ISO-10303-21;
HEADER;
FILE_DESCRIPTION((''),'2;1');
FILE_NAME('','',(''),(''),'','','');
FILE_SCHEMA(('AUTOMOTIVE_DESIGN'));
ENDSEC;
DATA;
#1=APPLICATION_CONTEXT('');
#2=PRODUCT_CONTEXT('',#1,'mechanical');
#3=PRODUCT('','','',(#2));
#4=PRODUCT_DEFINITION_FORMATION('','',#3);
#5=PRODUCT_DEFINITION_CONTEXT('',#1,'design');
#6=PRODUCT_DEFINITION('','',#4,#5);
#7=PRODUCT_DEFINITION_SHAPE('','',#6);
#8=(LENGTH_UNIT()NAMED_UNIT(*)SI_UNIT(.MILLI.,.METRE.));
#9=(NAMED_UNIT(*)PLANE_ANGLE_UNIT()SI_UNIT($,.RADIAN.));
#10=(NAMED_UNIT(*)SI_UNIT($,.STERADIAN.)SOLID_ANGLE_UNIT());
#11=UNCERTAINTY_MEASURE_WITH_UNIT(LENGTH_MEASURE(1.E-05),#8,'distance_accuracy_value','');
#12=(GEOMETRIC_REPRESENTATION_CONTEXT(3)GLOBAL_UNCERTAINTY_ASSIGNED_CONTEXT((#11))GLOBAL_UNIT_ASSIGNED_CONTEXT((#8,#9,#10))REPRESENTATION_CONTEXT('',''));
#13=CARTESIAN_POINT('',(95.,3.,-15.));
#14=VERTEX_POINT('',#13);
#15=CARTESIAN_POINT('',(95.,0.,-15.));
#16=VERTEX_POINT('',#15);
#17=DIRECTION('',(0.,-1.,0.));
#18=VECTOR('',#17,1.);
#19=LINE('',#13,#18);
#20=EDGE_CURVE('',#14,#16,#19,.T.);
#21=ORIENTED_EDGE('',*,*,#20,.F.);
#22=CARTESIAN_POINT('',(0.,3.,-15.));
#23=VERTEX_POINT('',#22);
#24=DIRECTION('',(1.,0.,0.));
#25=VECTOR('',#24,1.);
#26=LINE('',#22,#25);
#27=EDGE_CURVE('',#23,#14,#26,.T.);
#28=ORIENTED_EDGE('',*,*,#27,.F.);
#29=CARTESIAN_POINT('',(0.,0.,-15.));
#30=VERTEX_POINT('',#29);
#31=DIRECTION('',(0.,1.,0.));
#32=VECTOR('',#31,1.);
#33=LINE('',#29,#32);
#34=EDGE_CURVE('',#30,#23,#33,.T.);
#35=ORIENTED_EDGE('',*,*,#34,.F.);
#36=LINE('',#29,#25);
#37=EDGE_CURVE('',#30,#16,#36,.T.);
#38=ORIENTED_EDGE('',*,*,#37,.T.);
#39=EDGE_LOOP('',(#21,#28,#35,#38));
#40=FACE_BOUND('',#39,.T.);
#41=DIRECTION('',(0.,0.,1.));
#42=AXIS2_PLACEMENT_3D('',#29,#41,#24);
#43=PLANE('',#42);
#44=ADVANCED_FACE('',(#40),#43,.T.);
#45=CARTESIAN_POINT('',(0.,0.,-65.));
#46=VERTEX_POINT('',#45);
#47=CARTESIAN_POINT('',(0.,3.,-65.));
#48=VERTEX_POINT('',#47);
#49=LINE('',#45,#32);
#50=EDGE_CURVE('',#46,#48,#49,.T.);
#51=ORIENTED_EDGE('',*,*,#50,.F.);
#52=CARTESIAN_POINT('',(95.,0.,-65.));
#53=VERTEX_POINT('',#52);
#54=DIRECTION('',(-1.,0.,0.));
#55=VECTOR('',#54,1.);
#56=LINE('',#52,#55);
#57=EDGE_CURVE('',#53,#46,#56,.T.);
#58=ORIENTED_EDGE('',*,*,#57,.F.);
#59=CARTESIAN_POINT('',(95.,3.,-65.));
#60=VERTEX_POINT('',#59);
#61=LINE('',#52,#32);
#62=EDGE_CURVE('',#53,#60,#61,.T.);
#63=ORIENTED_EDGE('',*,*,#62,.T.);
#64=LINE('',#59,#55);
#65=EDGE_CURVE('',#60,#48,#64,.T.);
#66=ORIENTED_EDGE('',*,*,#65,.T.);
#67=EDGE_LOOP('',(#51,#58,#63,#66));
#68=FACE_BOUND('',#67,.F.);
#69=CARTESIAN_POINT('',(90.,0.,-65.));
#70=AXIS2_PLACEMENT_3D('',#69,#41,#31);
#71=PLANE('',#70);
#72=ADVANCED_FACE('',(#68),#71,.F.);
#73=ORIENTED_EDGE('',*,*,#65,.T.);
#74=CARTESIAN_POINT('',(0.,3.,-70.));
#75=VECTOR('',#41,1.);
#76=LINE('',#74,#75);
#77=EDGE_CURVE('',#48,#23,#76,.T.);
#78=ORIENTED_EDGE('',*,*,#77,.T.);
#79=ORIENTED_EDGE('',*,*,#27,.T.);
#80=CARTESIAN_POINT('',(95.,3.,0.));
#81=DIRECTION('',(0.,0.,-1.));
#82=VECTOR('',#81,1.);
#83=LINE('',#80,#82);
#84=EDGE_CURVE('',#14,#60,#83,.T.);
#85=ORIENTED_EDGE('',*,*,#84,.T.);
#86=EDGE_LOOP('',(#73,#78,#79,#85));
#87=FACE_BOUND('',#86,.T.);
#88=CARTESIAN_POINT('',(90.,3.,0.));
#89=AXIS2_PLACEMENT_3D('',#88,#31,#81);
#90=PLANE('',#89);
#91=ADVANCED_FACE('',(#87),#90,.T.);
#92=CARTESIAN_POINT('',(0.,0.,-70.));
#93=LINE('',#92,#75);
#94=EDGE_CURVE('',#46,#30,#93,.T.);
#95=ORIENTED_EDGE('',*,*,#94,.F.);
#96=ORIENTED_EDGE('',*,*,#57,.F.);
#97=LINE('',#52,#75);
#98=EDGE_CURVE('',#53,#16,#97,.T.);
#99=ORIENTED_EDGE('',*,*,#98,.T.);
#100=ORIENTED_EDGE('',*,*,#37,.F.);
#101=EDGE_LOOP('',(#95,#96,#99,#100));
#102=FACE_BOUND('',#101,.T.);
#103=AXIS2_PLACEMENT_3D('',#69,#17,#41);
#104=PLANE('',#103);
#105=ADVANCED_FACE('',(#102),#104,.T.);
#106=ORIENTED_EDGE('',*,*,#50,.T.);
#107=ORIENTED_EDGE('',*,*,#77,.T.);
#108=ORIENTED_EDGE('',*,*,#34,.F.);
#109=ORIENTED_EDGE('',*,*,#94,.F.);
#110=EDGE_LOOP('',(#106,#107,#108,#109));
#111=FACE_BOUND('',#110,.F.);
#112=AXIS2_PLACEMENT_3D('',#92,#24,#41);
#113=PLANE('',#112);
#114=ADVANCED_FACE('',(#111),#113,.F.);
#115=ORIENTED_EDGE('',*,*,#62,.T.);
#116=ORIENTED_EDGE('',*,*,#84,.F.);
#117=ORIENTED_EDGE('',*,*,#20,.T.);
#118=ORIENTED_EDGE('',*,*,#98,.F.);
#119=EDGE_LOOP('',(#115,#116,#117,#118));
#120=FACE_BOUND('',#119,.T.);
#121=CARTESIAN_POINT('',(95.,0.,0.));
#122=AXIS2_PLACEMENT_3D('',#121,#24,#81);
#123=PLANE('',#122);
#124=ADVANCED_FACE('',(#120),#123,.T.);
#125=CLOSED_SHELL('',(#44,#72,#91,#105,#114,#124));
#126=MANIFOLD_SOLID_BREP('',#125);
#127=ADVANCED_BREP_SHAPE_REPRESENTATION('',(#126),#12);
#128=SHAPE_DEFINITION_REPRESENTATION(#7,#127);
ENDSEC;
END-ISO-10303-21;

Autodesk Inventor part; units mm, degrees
ref_plane "YZ Plane" through (0, 0, 0) normal (1, 0, 0) x (0, 1, 0)
ref_plane "XZ Plane" through (0, 0, 0) normal (0, 1, 0) x (-1, 0, 0)
ref_plane "XY Plane" through (0, 0, 0) normal (0, 0, 1) x (1, 0, 0)
sketch "Boceto1" plane through (0, 0, 0) normal (0, 1, 0) x (-1, 0, 0)
  point P0 (0, 0)
sketch "Boceto2" plane through (0, 0, 0) normal (0, 1, 0) x (-1, 0, 0)
  line L0 (0, 0) -> (-105, 0)
  line L1 (-105, 0) -> (-105, -70)
  line L2 (-105, -70) -> (0, -70)
  line L3 (0, -70) -> (0, 0)
  dimension "d0" = 105
  dimension "d1" = 70
extrude "Extrusión1" add sketch "Boceto2" along normal blind 3
sketch "Boceto3" plane through (0, 0, 0) normal (0, -1, 0) x (1, 0, 0)
  point P0 (0, 0)
sketch "Boceto4" plane through (105, 0, 0) normal (1, 0, 0) x (0, 0, -1)
  line L0 (0, 0) -> (70, 0) projected
  line L1 (70, 0) -> (70, 3) projected
  line L2 (0, 3) -> (70, 3) projected
  line L3 (0, 0) -> (0, 3) projected
extrude "Extrusión2" cut sketch "Boceto4" against normal blind 5
sketch "Boceto5" plane through (100, 0, 0) normal (1, 0, 0) x (0, 0, -1)
  line L0 (0, 3) -> (70, 3) projected
  line L1 (70, 0) -> (0, 0) projected
  line L2 (70, 3) -> (70, 0) projected
  line L3 (0, 3) -> (70, 3) projected
  line L4 (0, 0) -> (0, 3) projected
extrude "Extrusión3" cut sketch "Boceto5" against normal blind 5
sketch "Boceto6" plane through (0, 0, 0) normal (0, -1, 0) x (1, 0, 0)
  line L0 (95, -70) -> (95, 0) projected
  line L1 (0, 0) -> (95, 0) projected
  line L2 (0, -70) -> (0, 0) projected
  line L3 (95, -70) -> (0, -70) projected
  line L4 (0, -70) -> (0, 0) projected
  line L5 (0, 0) -> (90, 0)
  line L6 (90, 0) -> (90, -65)
  line L7 (90, -65) -> (0, -65)
  line L8 (0, -65) -> (0, 0)
  dimension "d8" = 90
  dimension "d9" = 65
extrude "Extrusión4" cut sketch "Boceto6" against normal blind 5 contours L3 L2 L7 L6 L1 L0
sketch "Boceto7" plane through (90, 0, 0) normal (1, 0, 0) x (0, 0, -1)
  line L0 (0, 3) -> (65, 3) projected
  line L1 (0, 0) -> (0, 3) projected
  line L2 (65, 0) -> (0, 0) projected
  line L3 (65, 0) -> (65, 3) projected
extrude "Extrusión5" add sketch "Boceto7" along normal blind 5
sketch "Boceto8" plane through (0, 0, 0) normal (0, 0, 1) x (1, 0, 0)
  line L0 (0, 3) -> (95, 3) projected
  line L1 (0, 0) -> (0, 3) projected
  line L2 (0, 0) -> (95, 0) projected
  line L3 (95, 3) -> (95, 0) projected
extrude "Extrusión6" cut sketch "Boceto8" against normal blind 15
properties part number "inferior y superior" material "Madera (arce)"
